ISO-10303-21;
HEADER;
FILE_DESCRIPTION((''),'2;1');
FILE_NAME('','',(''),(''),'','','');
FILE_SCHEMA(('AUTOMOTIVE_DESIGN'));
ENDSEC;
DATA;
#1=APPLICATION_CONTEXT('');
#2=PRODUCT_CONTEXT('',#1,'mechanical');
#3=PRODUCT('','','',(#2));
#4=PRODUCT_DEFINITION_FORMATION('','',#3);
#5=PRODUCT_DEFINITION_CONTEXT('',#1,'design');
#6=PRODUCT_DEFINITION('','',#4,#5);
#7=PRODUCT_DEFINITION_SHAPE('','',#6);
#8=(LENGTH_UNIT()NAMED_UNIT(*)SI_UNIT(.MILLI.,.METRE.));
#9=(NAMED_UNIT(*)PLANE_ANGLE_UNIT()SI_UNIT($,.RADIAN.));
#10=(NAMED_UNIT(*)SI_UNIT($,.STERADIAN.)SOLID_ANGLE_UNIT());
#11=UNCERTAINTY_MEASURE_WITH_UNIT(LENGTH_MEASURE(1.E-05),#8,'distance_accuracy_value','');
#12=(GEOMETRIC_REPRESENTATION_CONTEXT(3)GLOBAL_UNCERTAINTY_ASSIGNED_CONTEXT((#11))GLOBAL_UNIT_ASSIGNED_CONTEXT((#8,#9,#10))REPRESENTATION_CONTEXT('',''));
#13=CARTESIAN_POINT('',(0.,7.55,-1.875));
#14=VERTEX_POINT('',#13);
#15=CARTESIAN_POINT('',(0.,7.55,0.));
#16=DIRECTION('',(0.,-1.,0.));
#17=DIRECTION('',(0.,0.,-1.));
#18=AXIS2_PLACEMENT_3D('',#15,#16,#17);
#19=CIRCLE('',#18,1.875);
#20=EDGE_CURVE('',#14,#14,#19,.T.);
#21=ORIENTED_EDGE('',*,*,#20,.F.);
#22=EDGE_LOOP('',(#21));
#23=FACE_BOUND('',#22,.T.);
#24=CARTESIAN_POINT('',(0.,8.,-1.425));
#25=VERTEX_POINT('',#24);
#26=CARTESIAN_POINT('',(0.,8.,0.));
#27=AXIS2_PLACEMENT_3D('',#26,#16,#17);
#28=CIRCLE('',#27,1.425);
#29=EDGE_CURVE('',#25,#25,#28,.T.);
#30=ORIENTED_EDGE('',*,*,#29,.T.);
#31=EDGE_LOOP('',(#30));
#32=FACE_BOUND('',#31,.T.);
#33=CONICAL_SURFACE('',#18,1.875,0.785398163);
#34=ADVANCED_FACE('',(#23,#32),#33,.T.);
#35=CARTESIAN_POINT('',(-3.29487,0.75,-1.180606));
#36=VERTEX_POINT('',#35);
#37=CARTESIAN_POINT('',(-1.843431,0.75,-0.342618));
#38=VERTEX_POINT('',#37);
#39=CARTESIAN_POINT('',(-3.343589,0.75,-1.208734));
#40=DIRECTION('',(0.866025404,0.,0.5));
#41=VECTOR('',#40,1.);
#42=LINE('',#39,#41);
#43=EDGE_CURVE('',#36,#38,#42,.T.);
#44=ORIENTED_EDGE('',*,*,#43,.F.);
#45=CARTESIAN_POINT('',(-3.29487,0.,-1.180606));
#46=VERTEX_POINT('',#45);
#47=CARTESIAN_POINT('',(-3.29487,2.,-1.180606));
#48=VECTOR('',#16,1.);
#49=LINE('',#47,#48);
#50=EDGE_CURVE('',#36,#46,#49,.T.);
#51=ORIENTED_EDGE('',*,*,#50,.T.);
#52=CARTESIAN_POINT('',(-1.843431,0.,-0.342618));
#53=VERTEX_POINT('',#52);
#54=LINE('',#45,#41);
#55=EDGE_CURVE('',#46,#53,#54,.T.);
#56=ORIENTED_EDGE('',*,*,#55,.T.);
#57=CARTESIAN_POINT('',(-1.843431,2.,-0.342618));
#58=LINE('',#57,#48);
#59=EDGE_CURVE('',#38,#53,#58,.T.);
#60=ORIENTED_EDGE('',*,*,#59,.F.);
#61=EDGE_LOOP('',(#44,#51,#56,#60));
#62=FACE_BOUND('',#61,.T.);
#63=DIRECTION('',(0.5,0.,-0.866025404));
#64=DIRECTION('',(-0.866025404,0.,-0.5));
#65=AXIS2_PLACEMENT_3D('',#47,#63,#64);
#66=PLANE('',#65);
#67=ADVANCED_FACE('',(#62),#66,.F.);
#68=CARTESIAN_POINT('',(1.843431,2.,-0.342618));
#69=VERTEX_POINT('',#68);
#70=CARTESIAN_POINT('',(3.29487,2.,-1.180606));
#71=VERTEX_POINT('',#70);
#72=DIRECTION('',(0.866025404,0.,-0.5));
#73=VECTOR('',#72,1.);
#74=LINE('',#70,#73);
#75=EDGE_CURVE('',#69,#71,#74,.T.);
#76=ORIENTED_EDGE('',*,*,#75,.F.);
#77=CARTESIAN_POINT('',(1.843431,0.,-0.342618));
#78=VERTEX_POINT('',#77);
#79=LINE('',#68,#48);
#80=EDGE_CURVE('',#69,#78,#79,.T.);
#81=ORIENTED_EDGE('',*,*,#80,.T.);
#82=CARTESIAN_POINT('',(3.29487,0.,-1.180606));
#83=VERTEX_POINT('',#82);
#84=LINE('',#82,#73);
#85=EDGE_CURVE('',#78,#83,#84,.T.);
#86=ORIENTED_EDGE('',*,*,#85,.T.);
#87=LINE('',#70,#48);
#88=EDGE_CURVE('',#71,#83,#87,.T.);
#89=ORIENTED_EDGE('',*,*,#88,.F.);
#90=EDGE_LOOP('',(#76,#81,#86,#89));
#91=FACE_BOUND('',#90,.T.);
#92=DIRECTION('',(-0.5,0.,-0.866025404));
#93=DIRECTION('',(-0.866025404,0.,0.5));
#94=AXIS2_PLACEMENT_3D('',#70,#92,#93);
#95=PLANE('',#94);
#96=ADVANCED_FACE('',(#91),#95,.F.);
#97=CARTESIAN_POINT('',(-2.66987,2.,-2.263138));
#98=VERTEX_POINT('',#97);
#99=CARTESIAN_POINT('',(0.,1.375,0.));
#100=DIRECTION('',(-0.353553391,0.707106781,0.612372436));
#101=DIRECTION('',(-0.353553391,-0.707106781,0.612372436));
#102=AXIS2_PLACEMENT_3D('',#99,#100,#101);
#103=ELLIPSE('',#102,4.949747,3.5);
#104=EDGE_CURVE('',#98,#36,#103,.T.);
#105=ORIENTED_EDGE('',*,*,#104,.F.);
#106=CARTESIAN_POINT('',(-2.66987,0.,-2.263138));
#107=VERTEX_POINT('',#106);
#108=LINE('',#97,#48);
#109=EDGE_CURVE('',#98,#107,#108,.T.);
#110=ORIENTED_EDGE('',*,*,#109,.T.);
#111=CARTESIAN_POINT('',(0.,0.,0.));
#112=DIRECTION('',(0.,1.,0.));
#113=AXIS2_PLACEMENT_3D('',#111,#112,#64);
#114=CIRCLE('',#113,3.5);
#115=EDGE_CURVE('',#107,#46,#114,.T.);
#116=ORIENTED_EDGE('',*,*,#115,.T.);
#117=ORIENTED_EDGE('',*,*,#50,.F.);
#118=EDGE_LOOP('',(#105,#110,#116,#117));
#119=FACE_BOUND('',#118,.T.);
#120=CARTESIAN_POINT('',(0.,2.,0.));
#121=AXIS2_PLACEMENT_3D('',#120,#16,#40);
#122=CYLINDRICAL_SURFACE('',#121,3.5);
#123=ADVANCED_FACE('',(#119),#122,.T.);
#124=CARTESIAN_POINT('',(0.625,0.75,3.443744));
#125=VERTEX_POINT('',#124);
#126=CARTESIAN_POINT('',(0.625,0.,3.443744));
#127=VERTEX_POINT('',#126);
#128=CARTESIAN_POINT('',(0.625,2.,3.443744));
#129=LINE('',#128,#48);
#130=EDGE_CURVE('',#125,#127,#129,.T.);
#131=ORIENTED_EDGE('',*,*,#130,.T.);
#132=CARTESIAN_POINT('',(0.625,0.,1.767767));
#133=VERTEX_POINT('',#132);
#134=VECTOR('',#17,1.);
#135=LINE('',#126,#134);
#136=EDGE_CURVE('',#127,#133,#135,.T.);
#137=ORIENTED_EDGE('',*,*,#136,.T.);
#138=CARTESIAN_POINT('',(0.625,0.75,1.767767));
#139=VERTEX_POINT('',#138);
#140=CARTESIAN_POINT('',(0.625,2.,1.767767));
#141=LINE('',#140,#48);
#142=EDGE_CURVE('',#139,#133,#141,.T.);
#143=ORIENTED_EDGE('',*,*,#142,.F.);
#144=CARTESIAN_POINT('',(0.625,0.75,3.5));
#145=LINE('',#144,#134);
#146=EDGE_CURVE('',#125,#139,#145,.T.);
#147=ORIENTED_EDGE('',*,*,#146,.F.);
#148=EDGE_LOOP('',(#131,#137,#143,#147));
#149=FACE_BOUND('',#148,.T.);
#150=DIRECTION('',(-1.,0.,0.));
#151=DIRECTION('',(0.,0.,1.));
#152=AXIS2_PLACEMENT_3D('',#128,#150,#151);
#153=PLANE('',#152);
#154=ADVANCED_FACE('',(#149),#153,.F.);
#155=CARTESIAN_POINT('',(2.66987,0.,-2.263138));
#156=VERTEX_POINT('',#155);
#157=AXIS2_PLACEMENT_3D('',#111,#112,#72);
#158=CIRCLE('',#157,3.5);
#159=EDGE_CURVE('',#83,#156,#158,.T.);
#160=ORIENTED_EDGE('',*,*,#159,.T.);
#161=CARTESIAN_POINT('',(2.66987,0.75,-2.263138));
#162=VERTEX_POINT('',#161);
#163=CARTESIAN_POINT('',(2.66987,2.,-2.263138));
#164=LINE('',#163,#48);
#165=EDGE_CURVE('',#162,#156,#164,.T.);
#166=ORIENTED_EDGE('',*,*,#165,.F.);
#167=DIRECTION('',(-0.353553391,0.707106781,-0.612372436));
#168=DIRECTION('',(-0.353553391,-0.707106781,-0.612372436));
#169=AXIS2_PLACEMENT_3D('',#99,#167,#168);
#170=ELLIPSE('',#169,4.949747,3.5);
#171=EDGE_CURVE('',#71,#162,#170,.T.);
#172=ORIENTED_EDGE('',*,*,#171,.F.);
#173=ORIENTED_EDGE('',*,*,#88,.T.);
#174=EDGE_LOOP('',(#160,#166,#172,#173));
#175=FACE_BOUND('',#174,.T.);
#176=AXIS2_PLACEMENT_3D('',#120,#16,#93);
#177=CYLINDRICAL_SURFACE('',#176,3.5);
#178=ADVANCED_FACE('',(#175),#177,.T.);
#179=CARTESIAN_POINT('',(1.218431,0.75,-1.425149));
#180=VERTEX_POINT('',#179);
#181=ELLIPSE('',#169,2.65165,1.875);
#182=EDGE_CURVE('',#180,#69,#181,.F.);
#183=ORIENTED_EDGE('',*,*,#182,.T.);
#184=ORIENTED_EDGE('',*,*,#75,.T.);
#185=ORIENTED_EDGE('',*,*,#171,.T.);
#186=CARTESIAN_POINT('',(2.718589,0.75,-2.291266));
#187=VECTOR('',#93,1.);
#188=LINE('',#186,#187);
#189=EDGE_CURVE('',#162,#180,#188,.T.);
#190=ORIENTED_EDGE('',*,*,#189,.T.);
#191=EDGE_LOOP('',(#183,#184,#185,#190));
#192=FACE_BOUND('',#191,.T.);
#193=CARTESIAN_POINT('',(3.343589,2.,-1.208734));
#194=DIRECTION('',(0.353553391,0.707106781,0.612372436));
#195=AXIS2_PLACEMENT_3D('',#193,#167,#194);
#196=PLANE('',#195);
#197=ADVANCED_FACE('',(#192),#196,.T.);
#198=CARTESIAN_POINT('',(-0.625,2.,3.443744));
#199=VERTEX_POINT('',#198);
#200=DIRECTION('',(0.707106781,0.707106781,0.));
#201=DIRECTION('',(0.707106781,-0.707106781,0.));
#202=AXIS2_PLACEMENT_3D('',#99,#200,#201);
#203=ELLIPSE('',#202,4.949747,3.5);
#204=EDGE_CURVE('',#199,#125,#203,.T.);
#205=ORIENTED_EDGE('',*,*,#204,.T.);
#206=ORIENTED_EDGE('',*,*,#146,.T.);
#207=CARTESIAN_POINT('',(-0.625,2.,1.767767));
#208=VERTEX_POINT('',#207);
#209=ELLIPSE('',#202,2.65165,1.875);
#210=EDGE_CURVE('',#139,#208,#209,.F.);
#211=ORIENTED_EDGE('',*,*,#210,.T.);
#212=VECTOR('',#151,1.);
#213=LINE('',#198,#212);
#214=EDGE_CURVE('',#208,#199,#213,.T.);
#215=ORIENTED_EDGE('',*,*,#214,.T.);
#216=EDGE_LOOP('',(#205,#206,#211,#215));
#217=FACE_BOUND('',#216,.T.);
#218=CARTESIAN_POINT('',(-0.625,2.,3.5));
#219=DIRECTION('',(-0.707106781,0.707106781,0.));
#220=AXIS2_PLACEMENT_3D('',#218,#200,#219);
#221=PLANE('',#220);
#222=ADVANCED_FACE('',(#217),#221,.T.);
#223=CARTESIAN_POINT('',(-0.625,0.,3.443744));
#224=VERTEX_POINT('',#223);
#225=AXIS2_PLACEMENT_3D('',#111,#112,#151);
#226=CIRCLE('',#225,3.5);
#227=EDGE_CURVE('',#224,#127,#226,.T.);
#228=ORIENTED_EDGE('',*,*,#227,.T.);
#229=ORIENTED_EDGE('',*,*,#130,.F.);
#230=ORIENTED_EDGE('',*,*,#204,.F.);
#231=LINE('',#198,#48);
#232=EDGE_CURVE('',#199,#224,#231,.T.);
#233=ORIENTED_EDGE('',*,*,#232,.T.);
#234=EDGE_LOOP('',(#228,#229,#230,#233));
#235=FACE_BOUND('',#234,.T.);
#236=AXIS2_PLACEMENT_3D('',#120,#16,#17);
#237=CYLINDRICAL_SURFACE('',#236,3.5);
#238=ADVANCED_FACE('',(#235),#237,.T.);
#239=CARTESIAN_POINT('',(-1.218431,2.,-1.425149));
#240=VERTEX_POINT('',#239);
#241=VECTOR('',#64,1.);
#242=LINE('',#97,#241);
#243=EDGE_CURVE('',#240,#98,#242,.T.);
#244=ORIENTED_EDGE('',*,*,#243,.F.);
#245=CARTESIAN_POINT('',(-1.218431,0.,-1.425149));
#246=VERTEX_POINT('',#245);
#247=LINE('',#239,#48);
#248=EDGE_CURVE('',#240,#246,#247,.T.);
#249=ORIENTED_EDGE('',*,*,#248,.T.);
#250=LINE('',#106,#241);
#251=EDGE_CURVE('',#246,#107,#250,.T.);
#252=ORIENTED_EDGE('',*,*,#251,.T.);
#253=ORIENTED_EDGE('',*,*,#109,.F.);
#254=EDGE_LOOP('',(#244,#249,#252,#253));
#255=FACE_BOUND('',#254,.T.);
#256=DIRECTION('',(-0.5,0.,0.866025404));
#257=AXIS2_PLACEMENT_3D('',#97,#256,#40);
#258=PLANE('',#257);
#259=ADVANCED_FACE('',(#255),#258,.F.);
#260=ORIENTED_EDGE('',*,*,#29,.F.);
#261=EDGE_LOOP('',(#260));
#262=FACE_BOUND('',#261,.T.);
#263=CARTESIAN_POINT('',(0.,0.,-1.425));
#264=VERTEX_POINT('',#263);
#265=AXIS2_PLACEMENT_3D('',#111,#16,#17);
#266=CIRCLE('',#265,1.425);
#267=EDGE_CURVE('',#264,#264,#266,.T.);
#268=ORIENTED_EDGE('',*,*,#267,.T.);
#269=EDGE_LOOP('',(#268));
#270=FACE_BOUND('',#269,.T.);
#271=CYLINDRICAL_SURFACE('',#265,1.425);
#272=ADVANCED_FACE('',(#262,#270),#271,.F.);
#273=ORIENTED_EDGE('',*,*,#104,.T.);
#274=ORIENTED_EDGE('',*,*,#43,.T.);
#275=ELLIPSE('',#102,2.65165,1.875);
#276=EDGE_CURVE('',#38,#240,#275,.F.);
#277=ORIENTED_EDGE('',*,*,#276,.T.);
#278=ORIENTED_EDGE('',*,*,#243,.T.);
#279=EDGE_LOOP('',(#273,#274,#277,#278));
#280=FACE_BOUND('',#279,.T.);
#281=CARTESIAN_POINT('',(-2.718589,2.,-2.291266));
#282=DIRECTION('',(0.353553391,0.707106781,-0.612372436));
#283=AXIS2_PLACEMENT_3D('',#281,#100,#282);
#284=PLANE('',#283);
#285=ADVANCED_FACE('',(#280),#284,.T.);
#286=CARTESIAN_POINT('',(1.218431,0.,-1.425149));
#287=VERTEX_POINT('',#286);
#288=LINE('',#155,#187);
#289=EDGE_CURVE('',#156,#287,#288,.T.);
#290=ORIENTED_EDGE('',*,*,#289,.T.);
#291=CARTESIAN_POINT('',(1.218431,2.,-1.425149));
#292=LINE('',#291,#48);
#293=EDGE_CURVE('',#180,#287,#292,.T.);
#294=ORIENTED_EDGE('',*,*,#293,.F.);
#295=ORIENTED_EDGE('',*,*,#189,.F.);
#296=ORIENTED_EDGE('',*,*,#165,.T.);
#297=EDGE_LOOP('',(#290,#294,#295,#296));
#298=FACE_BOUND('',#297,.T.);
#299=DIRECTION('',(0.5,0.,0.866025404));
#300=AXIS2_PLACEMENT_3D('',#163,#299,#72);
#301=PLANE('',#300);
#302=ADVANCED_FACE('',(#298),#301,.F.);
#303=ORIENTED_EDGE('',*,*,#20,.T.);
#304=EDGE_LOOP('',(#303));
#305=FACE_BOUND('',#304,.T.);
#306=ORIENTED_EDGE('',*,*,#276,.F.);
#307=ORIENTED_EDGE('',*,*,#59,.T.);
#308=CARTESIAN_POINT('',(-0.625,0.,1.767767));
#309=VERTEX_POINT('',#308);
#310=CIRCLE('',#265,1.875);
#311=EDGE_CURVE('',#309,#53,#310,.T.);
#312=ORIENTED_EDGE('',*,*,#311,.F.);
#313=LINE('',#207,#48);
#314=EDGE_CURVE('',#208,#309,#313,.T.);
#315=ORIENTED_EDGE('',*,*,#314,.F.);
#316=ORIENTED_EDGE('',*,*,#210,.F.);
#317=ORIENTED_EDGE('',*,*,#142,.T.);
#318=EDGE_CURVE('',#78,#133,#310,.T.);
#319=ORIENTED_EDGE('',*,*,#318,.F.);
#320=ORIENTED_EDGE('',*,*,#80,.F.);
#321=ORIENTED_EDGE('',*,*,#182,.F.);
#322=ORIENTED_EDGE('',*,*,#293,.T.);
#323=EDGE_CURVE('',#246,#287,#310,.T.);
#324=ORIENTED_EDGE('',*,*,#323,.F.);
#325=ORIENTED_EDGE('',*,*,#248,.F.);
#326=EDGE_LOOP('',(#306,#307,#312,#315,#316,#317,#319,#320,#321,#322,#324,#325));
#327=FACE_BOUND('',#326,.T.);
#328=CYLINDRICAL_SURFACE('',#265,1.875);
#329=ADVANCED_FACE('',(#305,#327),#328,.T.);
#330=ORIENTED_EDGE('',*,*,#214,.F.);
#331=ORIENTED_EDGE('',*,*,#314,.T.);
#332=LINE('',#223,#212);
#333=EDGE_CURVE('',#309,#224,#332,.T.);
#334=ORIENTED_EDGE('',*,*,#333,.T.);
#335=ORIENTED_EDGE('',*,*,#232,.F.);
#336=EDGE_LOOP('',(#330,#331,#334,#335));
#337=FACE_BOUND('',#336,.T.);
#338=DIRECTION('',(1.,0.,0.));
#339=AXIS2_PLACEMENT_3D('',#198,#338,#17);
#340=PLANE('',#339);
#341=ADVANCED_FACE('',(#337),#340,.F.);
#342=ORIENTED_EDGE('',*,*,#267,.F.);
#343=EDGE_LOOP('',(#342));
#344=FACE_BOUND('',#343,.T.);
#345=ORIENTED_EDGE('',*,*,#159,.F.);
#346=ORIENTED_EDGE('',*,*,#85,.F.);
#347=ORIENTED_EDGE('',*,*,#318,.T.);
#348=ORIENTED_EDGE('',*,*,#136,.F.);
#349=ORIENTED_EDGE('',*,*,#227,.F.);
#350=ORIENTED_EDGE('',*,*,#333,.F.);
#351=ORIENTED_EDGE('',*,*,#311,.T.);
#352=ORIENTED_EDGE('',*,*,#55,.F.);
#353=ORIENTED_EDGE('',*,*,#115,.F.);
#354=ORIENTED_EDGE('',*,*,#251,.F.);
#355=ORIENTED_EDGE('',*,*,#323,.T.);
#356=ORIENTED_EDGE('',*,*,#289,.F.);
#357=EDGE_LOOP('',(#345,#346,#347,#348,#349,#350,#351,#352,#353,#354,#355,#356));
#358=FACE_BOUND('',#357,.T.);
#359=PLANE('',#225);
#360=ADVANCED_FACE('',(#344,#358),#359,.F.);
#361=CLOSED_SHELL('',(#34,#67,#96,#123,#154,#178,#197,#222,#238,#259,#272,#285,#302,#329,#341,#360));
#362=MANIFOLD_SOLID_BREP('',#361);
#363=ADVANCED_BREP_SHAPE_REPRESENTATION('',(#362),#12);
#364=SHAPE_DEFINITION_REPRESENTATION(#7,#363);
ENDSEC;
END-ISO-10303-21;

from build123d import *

# Parameters (mm, degrees)
AUFSATZ_LINEAR_AUSTRAGEN1_DEPTH = 2
SCHNITT_LINEAR_AUSTRAGEN1_DEPTH = 4.5
KREISMUSTER1_COUNT              = 3


with BuildPart() as part:
    # Skizze1 → Rotation1 (revolve)
    with BuildSketch(Plane.XY, mode=Mode.PRIVATE) as rotation1_sk:
        Polygon((1.425, 0), (1.425, 8), (1.875, 7.55), (1.875, 0), align=None)
    revolve(rotation1_sk.sketch.rotate(Axis((0, 0, 0), (0, 1, 0)), 90), axis=Axis((0, 0, 0), (0, 1, 0)))  # turned: the seam where the file's is


with BuildPart() as body_2:
    # Skizze2 → Aufsatz-Linear austragen1 (new body)
    with BuildSketch(Plane(origin=(0, 0, 0), x_dir=(1, 0, 0), z_dir=(0, 1, 0))):
        with BuildLine():
            Line((-0.625, -3.443744328), (-0.625, -1.767766953))
            ThreePointArc((-0.625, -1.767766953), (0, -1.875), (0.625, -1.767766953))
            Line((0.625, -1.767766953), (0.625, -3.443744328))
            ThreePointArc((0.625, -3.443744328), (0, -3.5), (-0.625, -3.443744328))
        make_face()
    extrude(amount=AUFSATZ_LINEAR_AUSTRAGEN1_DEPTH)

    # Skizze3 → Schnitt-Linear austragen1 (cut, through all)
    with BuildSketch(Plane.XY):
        Polygon((-0.625, 2), (0.625, 0.75), (0.625, 2), align=None)
    extrude(amount=SCHNITT_LINEAR_AUSTRAGEN1_DEPTH, mode=Mode.SUBTRACT)


with BuildPart() as kreismuster1_1:
    # Kreismuster1: pattern copy
    add(body_2.part.rotate(Axis((0, 0, 0), (0, 1, 0)), 1 * 360 / KREISMUSTER1_COUNT))


with BuildPart() as kreismuster1_2:
    # Kreismuster1: pattern copy
    add(body_2.part.rotate(Axis((0, 0, 0), (0, 1, 0)), 2 * 360 / KREISMUSTER1_COUNT))


with BuildPart() as body_2_1:
    add(body_2.part)

    # Kombinieren1: union part, Kreismuster1_1, Kreismuster1_2
    add(part.part)
    add(kreismuster1_1.part)
    add(kreismuster1_2.part)


solid = body_2_1.part
